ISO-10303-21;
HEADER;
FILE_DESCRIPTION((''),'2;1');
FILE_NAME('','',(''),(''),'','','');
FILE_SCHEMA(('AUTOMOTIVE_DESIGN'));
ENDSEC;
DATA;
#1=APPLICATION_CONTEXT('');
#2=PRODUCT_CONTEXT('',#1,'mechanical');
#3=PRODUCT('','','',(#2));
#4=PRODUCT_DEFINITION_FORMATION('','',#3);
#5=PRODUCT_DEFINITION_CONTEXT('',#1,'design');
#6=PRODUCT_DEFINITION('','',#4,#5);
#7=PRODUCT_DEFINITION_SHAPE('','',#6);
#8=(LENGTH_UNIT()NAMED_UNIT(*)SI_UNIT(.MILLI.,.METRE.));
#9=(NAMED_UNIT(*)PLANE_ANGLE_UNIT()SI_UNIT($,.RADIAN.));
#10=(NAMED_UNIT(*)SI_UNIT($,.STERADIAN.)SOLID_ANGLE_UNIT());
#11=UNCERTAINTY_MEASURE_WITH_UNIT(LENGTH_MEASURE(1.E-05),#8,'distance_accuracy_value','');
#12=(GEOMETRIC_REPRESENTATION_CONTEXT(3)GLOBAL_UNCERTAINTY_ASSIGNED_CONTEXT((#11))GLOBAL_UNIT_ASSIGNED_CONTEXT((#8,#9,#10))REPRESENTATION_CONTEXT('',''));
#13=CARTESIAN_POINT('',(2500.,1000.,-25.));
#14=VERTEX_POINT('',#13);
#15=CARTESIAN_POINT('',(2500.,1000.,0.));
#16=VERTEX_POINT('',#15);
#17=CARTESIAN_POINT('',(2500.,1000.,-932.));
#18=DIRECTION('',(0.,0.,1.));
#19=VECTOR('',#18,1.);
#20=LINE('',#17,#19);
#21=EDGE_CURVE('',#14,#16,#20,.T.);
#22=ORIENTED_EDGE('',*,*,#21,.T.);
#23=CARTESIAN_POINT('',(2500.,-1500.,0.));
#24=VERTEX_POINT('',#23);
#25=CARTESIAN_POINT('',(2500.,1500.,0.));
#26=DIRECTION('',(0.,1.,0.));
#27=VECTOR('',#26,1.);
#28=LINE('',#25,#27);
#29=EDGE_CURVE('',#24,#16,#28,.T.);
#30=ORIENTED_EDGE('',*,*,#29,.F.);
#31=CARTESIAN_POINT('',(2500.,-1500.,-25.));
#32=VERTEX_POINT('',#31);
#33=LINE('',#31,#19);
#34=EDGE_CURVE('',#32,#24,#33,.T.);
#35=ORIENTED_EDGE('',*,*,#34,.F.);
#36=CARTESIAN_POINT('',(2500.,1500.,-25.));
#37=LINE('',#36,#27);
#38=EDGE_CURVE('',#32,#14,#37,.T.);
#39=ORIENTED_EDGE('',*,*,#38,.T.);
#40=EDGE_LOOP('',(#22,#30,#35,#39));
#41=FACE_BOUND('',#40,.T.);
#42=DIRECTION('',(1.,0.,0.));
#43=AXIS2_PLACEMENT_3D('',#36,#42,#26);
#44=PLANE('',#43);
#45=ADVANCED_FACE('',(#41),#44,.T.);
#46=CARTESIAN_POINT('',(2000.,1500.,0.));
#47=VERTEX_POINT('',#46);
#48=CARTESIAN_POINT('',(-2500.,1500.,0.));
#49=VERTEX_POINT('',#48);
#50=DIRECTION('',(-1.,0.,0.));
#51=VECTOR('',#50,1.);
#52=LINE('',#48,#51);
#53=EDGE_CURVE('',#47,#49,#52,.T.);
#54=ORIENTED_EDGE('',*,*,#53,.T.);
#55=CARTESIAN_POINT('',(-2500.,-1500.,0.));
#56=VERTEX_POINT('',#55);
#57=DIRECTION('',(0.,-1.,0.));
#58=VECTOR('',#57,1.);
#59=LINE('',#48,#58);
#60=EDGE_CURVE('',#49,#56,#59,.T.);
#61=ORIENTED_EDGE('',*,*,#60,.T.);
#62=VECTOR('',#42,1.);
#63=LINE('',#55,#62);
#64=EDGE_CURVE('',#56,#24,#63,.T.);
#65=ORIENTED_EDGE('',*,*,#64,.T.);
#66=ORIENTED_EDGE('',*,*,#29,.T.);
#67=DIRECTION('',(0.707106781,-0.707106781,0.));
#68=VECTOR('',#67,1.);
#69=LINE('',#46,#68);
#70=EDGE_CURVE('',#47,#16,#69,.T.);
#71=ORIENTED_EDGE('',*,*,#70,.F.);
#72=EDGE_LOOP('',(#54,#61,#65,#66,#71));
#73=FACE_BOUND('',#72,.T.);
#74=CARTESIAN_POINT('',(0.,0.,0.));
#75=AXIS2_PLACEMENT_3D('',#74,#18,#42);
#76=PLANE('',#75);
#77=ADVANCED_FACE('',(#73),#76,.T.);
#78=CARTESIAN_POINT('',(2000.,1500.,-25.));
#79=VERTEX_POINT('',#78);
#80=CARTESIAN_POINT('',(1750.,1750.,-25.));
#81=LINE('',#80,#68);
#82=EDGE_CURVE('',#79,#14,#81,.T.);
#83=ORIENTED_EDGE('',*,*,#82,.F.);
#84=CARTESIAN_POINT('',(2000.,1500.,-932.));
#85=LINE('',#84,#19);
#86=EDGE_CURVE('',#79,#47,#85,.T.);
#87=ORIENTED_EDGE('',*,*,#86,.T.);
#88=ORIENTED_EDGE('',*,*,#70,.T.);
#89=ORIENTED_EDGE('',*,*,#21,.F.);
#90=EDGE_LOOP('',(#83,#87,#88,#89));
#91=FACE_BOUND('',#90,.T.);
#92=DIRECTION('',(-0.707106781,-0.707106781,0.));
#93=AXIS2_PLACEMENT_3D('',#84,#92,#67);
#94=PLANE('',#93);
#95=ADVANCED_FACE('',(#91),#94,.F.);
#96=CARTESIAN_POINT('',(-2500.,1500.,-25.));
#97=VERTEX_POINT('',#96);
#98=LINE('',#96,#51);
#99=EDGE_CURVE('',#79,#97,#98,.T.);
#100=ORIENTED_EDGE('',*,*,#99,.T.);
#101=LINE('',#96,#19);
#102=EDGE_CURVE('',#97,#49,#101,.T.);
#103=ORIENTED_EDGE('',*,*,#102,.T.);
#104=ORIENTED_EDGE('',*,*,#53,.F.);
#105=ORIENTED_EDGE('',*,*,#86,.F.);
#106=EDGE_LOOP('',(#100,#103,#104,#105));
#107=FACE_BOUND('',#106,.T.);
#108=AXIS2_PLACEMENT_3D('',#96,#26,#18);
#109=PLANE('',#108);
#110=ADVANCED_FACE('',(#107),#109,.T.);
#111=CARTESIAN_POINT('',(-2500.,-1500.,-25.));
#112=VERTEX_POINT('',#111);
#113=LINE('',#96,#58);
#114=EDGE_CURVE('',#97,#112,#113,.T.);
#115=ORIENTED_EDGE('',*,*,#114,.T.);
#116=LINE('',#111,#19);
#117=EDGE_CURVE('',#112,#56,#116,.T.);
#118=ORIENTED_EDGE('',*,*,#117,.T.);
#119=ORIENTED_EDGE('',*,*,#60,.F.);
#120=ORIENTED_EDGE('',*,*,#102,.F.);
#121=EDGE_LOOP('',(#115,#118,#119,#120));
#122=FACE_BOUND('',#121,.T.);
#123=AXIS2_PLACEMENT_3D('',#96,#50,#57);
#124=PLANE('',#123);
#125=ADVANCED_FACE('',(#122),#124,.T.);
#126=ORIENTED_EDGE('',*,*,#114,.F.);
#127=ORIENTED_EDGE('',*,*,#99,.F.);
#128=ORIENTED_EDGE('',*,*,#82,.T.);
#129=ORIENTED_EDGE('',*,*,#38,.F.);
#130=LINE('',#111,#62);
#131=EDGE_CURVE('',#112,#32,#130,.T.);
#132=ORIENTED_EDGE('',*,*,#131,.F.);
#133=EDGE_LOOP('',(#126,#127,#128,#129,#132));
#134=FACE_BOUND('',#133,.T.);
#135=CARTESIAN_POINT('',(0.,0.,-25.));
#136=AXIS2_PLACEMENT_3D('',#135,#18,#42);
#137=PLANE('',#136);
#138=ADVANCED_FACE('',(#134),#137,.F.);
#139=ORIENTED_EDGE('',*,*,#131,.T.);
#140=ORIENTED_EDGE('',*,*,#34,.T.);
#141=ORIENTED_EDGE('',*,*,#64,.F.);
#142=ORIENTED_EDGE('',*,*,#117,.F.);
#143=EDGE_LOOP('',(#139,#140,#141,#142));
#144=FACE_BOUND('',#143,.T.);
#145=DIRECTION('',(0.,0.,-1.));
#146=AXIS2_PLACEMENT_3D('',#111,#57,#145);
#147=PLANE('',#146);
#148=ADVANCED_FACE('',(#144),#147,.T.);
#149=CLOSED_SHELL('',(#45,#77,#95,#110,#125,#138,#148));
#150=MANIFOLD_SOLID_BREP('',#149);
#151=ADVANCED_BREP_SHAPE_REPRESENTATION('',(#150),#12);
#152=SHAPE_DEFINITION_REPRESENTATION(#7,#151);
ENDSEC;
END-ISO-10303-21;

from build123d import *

# Parameters (mm, degrees)
SKETCH2_W           = 5000
SKETCH2_H           = 3000
BOSS_EXTRUDE1_DEPTH = 25
CUT_EXTRUDE1_DEPTH  = 932


with BuildPart() as part:
    # Sketch2 → Boss-Extrude1 (new body)
    with BuildSketch(Plane.XY):
        Rectangle(SKETCH2_W, SKETCH2_H)
    extrude(amount=-BOSS_EXTRUDE1_DEPTH)

    # Sketch3 → Cut-Extrude1 (cut)
    with BuildSketch(Plane.XY):
        Polygon((2500, 1000), (2500, 1500), (2000, 1500), align=None)
    extrude(amount=-CUT_EXTRUDE1_DEPTH, mode=Mode.SUBTRACT)


solid = part.part
